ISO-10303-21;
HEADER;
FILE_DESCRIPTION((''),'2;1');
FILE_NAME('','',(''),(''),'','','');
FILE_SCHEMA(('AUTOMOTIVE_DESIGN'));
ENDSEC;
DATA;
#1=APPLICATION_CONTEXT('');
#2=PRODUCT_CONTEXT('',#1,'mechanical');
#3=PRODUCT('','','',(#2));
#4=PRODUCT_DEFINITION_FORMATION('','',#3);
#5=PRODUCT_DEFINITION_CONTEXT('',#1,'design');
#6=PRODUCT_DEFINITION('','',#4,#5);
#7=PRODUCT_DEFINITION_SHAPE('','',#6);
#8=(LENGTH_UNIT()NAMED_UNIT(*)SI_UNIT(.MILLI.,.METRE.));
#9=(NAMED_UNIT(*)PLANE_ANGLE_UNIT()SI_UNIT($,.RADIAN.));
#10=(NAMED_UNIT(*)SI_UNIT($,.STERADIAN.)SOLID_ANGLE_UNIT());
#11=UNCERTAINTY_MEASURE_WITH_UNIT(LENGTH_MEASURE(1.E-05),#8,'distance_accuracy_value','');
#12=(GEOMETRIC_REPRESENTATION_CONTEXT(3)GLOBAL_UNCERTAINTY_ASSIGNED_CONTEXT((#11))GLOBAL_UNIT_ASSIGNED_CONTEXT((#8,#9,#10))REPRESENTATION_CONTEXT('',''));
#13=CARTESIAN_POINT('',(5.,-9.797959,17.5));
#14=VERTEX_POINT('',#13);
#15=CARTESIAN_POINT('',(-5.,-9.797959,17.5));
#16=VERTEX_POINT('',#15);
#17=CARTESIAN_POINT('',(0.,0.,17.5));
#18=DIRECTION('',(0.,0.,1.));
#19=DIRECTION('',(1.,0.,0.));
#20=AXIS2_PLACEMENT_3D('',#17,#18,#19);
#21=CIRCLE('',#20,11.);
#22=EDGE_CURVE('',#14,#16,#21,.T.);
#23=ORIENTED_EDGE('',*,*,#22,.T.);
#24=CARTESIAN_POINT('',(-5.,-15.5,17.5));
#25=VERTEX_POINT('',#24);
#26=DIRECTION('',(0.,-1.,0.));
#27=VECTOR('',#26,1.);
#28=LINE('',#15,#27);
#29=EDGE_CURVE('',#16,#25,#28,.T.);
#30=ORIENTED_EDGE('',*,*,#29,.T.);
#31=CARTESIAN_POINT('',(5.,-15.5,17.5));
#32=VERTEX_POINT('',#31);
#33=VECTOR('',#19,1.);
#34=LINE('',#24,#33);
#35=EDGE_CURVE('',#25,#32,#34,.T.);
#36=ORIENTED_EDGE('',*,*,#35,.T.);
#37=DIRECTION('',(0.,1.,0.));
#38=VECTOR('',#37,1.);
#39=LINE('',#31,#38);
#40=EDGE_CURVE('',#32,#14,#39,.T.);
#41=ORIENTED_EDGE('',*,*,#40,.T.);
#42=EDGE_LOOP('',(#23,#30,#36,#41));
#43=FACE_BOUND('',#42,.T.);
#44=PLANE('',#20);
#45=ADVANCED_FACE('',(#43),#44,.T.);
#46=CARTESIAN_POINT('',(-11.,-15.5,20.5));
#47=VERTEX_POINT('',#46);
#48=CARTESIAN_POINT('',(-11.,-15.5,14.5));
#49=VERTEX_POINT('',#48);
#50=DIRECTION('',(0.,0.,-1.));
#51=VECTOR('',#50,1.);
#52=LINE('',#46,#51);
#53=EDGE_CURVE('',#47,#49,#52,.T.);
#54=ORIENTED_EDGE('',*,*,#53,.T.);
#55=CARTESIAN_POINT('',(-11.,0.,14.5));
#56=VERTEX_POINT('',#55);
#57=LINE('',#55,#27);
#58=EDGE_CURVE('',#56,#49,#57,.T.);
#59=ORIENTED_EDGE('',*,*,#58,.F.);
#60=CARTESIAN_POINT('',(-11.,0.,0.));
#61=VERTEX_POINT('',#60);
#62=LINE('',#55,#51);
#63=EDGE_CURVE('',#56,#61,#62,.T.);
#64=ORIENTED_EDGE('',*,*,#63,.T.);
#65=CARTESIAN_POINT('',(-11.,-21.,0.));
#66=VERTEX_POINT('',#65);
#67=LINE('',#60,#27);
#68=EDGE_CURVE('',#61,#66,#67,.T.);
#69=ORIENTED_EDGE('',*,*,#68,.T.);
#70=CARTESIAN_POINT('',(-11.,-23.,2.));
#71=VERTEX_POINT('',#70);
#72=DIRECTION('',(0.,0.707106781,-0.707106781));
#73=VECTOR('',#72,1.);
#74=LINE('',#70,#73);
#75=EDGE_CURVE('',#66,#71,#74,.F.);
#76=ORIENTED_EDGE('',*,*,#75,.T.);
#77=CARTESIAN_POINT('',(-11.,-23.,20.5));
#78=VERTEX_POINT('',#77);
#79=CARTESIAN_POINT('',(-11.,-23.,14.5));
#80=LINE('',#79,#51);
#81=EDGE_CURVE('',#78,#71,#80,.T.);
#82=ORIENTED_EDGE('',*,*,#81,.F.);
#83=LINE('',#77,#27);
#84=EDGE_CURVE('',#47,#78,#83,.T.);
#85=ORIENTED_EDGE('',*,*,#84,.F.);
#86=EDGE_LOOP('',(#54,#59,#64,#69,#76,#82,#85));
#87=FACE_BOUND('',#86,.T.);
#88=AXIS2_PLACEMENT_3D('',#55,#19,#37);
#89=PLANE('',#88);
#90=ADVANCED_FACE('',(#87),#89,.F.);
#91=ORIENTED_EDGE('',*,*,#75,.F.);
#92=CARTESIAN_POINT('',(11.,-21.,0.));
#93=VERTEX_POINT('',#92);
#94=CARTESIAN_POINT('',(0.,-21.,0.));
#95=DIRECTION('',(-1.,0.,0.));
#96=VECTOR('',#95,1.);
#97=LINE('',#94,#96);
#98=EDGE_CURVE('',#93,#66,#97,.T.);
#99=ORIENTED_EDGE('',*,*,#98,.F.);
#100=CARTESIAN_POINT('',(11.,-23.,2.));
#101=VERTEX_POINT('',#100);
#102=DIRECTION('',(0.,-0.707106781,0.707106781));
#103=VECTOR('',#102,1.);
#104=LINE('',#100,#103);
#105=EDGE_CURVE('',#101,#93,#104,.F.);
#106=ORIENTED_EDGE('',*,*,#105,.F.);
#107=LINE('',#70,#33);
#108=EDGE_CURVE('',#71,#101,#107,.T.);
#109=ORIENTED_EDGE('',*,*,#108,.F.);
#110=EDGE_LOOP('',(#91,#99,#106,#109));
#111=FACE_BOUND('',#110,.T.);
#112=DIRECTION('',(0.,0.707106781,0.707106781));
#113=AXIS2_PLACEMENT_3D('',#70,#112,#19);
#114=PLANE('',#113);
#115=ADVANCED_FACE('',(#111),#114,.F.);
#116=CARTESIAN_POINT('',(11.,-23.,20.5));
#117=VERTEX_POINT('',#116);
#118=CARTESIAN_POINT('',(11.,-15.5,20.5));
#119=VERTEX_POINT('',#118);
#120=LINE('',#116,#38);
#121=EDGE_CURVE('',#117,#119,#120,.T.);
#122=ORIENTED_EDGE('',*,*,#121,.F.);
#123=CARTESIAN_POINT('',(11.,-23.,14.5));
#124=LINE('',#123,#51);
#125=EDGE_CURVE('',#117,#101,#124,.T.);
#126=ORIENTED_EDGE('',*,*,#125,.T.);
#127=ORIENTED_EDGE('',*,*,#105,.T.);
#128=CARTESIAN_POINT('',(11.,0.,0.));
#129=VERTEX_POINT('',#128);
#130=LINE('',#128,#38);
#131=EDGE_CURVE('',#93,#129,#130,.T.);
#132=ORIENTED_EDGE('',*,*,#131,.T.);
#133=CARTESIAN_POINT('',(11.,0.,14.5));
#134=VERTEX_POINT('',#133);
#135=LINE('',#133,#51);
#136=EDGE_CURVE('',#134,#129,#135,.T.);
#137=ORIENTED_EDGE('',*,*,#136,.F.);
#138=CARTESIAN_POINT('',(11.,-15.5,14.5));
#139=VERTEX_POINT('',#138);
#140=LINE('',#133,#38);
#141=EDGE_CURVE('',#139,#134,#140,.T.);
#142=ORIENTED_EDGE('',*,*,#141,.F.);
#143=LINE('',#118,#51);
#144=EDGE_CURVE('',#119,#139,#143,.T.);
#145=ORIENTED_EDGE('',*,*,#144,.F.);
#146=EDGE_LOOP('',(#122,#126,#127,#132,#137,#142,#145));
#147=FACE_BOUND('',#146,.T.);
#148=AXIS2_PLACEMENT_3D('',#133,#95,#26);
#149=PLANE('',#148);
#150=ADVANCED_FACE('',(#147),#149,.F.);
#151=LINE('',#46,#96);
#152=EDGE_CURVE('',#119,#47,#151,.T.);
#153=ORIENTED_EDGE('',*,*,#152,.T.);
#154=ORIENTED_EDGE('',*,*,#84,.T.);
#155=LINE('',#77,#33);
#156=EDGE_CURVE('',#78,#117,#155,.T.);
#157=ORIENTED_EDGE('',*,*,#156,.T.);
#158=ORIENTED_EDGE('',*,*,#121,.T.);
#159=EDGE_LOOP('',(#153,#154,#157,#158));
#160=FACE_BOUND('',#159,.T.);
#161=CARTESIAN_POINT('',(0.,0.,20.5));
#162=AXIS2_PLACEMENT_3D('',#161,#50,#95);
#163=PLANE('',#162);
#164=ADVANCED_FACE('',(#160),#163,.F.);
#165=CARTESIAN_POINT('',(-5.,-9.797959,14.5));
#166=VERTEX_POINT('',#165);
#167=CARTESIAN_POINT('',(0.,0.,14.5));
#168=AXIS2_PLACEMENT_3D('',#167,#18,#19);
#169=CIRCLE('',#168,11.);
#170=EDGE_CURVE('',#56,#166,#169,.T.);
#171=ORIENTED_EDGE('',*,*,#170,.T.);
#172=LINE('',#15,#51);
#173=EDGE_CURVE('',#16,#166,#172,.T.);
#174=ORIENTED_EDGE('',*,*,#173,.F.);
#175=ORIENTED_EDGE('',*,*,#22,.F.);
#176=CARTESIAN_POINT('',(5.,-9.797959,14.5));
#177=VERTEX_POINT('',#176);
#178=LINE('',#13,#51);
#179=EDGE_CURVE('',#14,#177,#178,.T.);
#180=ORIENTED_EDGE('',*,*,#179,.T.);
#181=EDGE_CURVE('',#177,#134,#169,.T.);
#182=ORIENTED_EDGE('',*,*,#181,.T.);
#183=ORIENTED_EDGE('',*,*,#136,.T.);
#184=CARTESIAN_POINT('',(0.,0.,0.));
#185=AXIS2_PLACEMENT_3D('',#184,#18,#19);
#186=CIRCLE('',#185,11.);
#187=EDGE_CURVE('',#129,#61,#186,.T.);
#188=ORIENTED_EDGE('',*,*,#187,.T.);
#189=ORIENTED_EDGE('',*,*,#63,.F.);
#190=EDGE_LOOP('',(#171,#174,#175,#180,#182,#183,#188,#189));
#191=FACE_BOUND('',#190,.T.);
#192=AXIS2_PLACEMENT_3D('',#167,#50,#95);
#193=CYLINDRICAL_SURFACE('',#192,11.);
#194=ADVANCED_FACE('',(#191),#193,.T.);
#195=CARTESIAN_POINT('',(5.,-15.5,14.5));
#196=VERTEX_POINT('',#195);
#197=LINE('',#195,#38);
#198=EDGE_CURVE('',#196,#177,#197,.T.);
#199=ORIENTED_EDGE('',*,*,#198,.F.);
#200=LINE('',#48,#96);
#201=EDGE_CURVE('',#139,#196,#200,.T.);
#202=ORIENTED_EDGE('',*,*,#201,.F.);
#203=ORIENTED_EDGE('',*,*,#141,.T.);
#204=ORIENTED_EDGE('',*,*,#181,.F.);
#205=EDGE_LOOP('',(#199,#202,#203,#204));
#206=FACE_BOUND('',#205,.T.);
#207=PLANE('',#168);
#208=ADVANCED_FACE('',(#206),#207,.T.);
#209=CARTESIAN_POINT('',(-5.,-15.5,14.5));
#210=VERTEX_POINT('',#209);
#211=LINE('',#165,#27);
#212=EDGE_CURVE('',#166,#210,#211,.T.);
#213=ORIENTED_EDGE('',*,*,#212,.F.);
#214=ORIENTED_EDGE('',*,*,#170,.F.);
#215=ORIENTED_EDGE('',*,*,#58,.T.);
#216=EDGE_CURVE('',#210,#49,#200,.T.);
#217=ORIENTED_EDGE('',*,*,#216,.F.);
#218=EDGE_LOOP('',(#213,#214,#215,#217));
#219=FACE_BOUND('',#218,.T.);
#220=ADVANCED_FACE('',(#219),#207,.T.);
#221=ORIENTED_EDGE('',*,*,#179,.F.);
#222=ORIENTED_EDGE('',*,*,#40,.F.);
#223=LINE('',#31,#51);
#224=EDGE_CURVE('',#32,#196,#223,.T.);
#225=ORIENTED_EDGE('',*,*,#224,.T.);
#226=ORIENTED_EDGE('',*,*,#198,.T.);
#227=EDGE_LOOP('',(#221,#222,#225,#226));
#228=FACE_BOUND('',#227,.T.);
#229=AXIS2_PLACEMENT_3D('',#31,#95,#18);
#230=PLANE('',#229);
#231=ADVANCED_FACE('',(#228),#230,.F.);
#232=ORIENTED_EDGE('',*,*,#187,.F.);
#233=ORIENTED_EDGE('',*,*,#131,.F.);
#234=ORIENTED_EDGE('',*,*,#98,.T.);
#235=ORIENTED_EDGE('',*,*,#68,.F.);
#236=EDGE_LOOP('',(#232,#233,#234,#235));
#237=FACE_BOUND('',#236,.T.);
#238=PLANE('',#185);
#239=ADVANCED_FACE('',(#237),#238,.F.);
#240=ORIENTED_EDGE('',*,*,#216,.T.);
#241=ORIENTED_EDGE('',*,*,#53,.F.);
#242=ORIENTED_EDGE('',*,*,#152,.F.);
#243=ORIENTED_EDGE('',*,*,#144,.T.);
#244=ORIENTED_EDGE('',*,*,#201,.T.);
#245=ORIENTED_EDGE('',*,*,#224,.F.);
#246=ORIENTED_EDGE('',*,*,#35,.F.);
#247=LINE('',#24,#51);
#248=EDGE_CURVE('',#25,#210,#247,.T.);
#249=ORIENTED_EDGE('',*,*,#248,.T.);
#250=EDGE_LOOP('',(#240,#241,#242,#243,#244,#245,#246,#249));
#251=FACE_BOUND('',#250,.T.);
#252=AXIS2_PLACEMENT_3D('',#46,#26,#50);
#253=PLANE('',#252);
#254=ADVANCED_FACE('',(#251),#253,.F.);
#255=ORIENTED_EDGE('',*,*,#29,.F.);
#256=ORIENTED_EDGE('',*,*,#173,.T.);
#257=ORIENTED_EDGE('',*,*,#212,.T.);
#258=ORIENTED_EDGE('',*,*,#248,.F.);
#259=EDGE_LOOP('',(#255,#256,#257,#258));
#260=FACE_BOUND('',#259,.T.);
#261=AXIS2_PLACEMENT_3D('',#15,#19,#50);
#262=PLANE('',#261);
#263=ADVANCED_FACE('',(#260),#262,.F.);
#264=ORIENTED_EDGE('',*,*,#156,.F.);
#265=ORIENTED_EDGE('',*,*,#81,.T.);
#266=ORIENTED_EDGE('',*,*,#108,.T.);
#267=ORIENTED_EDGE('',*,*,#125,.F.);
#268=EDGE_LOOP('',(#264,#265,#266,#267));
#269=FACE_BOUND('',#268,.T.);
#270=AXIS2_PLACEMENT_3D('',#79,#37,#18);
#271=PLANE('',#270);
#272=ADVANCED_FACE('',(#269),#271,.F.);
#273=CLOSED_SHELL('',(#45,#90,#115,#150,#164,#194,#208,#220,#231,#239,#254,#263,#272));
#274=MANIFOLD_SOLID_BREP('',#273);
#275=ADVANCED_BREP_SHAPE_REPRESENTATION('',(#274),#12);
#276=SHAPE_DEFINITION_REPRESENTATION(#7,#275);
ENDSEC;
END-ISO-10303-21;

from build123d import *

# Parameters (mm, degrees)
BOSS_EXTRU_1_DEPTH = 14.5
CHANFREIN1_SIZE    = 2
ESQUISSE2_W        = 22
ESQUISSE2_H        = 7.5
BOSS_EXTRU_2_DEPTH = 6
BOSS_EXTRU_3_DEPTH = 3


with BuildPart() as part:
    # Esquisse1 → Boss.-Extru.1 (new body)
    with BuildSketch(Plane.XY):
        with BuildLine():
            Line((-11, 0), (-11, -23))
            Line((-11, -23), (11, -23))
            Line((11, -23), (11, 0))
            ThreePointArc((11, 0), (0, 11), (-11, 0))
        make_face()
    extrude(amount=BOSS_EXTRU_1_DEPTH)

    # Chanfrein1
    chanfrein1_edges = [part.edges().sort_by_distance(p)[0] for p in [
        (0, -23, 0),
    ]]
    chamfer(chanfrein1_edges, length=CHANFREIN1_SIZE)

    # Esquisse2 → Boss.-Extru.2 (add)
    with BuildSketch(Plane.XY.offset(14.5)):
        with Locations((0, -19.25)):
            Rectangle(ESQUISSE2_W, ESQUISSE2_H)
    extrude(amount=BOSS_EXTRU_2_DEPTH)

    # Esquisse3 → Boss.-Extru.3 (add)
    with BuildSketch(Plane.XY.offset(14.5)):
        with BuildLine():
            Line((-5, -9.797958971), (-5, -15.5))
            Line((-5, -15.5), (5, -15.5))
            Line((5, -15.5), (5, -9.797958971))
            ThreePointArc((5, -9.797958971), (0, 11), (-5, -9.797958971))
        make_face()
    extrude(amount=BOSS_EXTRU_3_DEPTH)


solid = part.part
